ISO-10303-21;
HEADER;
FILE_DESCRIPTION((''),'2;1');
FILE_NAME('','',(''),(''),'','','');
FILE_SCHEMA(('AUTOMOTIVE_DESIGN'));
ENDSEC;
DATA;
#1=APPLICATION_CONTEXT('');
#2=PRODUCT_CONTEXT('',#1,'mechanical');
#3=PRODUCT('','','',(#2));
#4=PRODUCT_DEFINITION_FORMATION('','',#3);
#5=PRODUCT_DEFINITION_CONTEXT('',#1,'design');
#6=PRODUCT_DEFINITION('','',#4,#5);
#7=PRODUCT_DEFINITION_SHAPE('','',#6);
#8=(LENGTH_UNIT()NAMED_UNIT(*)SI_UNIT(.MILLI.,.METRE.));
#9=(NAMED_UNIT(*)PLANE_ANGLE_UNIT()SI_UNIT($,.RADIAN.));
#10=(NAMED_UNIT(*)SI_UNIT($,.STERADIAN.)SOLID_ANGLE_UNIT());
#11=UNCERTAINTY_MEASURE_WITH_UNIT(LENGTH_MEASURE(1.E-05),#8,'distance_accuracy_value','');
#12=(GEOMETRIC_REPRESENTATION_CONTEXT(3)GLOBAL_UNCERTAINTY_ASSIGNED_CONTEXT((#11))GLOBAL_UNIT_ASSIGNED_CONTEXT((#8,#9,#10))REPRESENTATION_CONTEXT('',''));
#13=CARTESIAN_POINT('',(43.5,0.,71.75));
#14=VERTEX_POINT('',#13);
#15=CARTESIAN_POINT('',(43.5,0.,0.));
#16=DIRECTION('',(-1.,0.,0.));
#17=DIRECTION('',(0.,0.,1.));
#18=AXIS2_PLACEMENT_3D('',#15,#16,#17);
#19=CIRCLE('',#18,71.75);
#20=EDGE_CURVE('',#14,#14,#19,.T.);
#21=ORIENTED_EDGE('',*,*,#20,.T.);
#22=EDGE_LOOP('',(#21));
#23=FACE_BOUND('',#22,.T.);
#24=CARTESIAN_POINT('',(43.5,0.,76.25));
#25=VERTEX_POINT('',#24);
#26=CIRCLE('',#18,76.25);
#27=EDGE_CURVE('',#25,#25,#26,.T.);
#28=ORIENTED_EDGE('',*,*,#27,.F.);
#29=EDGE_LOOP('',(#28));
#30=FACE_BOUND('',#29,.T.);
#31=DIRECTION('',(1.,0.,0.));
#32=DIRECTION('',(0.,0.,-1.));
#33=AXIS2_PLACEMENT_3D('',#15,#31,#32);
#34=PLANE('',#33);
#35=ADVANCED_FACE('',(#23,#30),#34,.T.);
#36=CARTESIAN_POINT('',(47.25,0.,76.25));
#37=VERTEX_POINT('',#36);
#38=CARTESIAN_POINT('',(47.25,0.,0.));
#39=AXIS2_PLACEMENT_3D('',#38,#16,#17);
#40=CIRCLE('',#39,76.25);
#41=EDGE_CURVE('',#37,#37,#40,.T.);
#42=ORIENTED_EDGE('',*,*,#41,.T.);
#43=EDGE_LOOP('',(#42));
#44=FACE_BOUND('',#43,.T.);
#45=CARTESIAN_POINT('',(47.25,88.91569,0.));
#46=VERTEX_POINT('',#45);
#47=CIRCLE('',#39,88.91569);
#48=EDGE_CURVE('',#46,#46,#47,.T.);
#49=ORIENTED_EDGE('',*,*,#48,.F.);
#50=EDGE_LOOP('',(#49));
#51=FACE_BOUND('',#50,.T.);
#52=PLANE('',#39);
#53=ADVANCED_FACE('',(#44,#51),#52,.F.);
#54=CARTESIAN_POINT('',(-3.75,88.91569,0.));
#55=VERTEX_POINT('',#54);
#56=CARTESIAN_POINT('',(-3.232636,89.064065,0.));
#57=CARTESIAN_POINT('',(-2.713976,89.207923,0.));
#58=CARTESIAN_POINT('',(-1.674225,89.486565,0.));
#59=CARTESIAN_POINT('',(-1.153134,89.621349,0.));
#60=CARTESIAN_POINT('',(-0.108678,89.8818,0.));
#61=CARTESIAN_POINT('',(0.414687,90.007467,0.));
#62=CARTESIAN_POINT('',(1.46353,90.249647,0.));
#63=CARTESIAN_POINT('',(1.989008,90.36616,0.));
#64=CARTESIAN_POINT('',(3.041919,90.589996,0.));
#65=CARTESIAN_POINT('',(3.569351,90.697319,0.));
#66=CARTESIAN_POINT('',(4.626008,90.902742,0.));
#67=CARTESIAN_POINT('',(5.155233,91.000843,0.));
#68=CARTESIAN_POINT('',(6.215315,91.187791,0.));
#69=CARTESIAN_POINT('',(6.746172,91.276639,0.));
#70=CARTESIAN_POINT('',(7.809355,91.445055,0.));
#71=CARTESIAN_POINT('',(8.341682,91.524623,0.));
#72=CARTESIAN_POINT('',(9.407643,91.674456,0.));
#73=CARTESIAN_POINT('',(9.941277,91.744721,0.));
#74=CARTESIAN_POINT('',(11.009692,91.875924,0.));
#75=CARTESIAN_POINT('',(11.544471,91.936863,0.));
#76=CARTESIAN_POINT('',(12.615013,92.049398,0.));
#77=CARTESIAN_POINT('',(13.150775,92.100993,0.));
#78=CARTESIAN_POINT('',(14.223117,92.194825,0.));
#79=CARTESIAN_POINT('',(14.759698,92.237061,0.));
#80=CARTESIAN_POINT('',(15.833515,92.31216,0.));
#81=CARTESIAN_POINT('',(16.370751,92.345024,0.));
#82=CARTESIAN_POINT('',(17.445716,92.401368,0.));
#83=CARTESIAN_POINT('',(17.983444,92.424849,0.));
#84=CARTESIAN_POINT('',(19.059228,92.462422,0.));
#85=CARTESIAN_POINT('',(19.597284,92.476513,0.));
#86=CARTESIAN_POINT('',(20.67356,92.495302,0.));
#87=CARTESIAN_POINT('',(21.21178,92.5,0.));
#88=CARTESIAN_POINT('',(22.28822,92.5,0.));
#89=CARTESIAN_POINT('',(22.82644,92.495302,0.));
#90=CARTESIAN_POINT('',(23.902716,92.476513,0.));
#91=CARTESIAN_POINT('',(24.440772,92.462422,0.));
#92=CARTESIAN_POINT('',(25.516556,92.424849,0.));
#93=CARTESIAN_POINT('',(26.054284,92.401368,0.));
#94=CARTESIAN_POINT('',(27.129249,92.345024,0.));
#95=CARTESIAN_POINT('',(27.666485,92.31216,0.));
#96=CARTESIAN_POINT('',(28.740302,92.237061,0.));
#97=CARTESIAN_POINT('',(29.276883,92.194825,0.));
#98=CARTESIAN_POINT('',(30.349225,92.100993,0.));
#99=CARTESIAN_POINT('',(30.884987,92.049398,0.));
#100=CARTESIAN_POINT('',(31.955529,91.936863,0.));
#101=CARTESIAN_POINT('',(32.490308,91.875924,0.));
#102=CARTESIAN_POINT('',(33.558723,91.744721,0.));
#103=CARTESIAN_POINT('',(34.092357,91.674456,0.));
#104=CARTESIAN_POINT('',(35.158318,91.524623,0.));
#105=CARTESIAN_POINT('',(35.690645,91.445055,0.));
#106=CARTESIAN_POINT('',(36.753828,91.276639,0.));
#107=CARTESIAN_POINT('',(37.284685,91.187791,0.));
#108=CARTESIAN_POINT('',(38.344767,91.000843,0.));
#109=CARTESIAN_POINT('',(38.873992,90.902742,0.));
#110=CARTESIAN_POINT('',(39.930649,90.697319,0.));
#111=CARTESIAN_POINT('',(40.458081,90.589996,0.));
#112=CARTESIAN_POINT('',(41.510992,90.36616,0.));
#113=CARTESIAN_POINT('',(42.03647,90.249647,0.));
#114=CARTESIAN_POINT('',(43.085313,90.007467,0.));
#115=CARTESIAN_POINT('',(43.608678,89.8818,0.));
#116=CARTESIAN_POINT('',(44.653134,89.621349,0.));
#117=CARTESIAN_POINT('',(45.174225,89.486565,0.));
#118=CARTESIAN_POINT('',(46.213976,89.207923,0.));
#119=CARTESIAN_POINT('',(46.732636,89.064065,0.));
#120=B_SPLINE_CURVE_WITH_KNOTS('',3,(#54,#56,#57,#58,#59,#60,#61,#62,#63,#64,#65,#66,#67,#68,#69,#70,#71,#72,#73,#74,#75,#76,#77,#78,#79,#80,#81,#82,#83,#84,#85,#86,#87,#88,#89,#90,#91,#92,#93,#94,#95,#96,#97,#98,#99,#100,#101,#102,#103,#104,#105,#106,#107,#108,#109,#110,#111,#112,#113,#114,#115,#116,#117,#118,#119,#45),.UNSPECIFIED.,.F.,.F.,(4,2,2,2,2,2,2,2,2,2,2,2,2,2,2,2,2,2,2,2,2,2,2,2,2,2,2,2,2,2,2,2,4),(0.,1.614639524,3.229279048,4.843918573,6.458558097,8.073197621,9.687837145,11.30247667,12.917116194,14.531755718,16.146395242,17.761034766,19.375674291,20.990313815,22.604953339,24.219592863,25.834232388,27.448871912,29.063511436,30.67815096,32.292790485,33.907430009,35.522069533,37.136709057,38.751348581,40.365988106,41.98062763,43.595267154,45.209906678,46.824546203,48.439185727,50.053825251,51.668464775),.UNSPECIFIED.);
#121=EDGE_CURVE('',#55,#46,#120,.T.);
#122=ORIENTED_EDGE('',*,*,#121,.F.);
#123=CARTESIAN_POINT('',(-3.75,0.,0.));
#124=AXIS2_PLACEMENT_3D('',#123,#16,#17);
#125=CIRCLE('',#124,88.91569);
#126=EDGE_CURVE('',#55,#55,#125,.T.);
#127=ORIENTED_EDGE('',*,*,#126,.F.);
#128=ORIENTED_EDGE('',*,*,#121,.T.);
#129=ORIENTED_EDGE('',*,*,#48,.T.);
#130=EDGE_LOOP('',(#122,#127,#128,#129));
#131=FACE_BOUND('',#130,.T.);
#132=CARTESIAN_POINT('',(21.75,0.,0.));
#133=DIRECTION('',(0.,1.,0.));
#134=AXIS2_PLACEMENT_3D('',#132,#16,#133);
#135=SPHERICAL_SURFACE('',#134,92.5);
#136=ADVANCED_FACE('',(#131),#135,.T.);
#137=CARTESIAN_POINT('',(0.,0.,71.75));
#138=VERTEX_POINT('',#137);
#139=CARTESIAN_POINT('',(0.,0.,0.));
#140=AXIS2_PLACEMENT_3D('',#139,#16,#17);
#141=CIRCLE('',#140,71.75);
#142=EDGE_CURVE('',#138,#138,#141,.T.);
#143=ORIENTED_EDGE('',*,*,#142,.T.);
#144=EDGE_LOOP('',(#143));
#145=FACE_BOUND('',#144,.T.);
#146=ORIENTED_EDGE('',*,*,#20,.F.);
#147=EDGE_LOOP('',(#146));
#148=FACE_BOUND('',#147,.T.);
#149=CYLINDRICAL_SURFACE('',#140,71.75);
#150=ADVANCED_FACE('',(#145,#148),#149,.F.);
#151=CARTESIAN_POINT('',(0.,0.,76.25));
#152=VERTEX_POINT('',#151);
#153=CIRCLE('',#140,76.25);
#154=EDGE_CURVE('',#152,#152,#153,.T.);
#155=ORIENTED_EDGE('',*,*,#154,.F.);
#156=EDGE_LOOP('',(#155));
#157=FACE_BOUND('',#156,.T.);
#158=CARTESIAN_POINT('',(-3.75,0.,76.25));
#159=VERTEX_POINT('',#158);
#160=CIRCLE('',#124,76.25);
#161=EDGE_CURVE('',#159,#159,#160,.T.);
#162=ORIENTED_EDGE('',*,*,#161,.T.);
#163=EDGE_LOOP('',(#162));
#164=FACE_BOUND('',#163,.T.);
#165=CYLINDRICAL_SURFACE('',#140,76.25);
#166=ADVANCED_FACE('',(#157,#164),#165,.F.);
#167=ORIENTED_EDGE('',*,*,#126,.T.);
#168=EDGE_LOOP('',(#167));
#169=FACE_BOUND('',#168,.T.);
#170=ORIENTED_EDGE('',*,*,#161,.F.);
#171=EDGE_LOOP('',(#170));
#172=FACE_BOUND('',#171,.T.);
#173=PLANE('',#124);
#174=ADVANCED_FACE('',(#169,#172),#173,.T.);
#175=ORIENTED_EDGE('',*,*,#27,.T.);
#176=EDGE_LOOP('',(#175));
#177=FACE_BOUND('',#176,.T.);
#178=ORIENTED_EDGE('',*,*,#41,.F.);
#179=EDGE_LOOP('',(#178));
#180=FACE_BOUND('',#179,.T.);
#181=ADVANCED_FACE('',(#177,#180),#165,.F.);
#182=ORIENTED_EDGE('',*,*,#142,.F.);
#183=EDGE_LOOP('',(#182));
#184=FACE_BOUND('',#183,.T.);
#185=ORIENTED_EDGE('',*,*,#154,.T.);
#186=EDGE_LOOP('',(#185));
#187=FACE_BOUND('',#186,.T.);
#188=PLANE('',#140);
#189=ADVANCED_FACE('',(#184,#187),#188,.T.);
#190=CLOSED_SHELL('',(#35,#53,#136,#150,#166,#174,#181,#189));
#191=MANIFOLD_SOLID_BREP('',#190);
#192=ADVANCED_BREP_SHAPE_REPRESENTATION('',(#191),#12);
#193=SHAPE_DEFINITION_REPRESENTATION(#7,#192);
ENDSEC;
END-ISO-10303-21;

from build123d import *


with BuildPart() as part:
    # 草图1 → 旋转1 (revolve)
    with BuildSketch(Plane.XY, mode=Mode.PRIVATE) as revolve_1_sk:
        with BuildLine():
            Line((0, 76.25), (0, 71.75))
            Line((0, 71.75), (43.5, 71.75))
            Line((43.5, 71.75), (43.5, 76.25))
            Line((43.5, 76.25), (47.25, 76.25))
            Line((47.25, 76.25), (47.25, 88.915690404))
            ThreePointArc((47.25, 88.915690404), (34.625338065, 91.599539681), (21.7500009, 92.5))
            ThreePointArc((21.7500009, 92.5), (8.874662826, 91.599539806), (-3.75, 88.915690404))
            Line((-3.75, 88.915690404), (-3.75, 76.25))
            Line((-3.75, 76.25), (0, 76.25))
        make_face()
    revolve(revolve_1_sk.sketch.rotate(Axis((0, 0, 0), (1, 0, 0)), 90), axis=Axis((0, 0, 0), (1, 0, 0)))


solid = part.part
